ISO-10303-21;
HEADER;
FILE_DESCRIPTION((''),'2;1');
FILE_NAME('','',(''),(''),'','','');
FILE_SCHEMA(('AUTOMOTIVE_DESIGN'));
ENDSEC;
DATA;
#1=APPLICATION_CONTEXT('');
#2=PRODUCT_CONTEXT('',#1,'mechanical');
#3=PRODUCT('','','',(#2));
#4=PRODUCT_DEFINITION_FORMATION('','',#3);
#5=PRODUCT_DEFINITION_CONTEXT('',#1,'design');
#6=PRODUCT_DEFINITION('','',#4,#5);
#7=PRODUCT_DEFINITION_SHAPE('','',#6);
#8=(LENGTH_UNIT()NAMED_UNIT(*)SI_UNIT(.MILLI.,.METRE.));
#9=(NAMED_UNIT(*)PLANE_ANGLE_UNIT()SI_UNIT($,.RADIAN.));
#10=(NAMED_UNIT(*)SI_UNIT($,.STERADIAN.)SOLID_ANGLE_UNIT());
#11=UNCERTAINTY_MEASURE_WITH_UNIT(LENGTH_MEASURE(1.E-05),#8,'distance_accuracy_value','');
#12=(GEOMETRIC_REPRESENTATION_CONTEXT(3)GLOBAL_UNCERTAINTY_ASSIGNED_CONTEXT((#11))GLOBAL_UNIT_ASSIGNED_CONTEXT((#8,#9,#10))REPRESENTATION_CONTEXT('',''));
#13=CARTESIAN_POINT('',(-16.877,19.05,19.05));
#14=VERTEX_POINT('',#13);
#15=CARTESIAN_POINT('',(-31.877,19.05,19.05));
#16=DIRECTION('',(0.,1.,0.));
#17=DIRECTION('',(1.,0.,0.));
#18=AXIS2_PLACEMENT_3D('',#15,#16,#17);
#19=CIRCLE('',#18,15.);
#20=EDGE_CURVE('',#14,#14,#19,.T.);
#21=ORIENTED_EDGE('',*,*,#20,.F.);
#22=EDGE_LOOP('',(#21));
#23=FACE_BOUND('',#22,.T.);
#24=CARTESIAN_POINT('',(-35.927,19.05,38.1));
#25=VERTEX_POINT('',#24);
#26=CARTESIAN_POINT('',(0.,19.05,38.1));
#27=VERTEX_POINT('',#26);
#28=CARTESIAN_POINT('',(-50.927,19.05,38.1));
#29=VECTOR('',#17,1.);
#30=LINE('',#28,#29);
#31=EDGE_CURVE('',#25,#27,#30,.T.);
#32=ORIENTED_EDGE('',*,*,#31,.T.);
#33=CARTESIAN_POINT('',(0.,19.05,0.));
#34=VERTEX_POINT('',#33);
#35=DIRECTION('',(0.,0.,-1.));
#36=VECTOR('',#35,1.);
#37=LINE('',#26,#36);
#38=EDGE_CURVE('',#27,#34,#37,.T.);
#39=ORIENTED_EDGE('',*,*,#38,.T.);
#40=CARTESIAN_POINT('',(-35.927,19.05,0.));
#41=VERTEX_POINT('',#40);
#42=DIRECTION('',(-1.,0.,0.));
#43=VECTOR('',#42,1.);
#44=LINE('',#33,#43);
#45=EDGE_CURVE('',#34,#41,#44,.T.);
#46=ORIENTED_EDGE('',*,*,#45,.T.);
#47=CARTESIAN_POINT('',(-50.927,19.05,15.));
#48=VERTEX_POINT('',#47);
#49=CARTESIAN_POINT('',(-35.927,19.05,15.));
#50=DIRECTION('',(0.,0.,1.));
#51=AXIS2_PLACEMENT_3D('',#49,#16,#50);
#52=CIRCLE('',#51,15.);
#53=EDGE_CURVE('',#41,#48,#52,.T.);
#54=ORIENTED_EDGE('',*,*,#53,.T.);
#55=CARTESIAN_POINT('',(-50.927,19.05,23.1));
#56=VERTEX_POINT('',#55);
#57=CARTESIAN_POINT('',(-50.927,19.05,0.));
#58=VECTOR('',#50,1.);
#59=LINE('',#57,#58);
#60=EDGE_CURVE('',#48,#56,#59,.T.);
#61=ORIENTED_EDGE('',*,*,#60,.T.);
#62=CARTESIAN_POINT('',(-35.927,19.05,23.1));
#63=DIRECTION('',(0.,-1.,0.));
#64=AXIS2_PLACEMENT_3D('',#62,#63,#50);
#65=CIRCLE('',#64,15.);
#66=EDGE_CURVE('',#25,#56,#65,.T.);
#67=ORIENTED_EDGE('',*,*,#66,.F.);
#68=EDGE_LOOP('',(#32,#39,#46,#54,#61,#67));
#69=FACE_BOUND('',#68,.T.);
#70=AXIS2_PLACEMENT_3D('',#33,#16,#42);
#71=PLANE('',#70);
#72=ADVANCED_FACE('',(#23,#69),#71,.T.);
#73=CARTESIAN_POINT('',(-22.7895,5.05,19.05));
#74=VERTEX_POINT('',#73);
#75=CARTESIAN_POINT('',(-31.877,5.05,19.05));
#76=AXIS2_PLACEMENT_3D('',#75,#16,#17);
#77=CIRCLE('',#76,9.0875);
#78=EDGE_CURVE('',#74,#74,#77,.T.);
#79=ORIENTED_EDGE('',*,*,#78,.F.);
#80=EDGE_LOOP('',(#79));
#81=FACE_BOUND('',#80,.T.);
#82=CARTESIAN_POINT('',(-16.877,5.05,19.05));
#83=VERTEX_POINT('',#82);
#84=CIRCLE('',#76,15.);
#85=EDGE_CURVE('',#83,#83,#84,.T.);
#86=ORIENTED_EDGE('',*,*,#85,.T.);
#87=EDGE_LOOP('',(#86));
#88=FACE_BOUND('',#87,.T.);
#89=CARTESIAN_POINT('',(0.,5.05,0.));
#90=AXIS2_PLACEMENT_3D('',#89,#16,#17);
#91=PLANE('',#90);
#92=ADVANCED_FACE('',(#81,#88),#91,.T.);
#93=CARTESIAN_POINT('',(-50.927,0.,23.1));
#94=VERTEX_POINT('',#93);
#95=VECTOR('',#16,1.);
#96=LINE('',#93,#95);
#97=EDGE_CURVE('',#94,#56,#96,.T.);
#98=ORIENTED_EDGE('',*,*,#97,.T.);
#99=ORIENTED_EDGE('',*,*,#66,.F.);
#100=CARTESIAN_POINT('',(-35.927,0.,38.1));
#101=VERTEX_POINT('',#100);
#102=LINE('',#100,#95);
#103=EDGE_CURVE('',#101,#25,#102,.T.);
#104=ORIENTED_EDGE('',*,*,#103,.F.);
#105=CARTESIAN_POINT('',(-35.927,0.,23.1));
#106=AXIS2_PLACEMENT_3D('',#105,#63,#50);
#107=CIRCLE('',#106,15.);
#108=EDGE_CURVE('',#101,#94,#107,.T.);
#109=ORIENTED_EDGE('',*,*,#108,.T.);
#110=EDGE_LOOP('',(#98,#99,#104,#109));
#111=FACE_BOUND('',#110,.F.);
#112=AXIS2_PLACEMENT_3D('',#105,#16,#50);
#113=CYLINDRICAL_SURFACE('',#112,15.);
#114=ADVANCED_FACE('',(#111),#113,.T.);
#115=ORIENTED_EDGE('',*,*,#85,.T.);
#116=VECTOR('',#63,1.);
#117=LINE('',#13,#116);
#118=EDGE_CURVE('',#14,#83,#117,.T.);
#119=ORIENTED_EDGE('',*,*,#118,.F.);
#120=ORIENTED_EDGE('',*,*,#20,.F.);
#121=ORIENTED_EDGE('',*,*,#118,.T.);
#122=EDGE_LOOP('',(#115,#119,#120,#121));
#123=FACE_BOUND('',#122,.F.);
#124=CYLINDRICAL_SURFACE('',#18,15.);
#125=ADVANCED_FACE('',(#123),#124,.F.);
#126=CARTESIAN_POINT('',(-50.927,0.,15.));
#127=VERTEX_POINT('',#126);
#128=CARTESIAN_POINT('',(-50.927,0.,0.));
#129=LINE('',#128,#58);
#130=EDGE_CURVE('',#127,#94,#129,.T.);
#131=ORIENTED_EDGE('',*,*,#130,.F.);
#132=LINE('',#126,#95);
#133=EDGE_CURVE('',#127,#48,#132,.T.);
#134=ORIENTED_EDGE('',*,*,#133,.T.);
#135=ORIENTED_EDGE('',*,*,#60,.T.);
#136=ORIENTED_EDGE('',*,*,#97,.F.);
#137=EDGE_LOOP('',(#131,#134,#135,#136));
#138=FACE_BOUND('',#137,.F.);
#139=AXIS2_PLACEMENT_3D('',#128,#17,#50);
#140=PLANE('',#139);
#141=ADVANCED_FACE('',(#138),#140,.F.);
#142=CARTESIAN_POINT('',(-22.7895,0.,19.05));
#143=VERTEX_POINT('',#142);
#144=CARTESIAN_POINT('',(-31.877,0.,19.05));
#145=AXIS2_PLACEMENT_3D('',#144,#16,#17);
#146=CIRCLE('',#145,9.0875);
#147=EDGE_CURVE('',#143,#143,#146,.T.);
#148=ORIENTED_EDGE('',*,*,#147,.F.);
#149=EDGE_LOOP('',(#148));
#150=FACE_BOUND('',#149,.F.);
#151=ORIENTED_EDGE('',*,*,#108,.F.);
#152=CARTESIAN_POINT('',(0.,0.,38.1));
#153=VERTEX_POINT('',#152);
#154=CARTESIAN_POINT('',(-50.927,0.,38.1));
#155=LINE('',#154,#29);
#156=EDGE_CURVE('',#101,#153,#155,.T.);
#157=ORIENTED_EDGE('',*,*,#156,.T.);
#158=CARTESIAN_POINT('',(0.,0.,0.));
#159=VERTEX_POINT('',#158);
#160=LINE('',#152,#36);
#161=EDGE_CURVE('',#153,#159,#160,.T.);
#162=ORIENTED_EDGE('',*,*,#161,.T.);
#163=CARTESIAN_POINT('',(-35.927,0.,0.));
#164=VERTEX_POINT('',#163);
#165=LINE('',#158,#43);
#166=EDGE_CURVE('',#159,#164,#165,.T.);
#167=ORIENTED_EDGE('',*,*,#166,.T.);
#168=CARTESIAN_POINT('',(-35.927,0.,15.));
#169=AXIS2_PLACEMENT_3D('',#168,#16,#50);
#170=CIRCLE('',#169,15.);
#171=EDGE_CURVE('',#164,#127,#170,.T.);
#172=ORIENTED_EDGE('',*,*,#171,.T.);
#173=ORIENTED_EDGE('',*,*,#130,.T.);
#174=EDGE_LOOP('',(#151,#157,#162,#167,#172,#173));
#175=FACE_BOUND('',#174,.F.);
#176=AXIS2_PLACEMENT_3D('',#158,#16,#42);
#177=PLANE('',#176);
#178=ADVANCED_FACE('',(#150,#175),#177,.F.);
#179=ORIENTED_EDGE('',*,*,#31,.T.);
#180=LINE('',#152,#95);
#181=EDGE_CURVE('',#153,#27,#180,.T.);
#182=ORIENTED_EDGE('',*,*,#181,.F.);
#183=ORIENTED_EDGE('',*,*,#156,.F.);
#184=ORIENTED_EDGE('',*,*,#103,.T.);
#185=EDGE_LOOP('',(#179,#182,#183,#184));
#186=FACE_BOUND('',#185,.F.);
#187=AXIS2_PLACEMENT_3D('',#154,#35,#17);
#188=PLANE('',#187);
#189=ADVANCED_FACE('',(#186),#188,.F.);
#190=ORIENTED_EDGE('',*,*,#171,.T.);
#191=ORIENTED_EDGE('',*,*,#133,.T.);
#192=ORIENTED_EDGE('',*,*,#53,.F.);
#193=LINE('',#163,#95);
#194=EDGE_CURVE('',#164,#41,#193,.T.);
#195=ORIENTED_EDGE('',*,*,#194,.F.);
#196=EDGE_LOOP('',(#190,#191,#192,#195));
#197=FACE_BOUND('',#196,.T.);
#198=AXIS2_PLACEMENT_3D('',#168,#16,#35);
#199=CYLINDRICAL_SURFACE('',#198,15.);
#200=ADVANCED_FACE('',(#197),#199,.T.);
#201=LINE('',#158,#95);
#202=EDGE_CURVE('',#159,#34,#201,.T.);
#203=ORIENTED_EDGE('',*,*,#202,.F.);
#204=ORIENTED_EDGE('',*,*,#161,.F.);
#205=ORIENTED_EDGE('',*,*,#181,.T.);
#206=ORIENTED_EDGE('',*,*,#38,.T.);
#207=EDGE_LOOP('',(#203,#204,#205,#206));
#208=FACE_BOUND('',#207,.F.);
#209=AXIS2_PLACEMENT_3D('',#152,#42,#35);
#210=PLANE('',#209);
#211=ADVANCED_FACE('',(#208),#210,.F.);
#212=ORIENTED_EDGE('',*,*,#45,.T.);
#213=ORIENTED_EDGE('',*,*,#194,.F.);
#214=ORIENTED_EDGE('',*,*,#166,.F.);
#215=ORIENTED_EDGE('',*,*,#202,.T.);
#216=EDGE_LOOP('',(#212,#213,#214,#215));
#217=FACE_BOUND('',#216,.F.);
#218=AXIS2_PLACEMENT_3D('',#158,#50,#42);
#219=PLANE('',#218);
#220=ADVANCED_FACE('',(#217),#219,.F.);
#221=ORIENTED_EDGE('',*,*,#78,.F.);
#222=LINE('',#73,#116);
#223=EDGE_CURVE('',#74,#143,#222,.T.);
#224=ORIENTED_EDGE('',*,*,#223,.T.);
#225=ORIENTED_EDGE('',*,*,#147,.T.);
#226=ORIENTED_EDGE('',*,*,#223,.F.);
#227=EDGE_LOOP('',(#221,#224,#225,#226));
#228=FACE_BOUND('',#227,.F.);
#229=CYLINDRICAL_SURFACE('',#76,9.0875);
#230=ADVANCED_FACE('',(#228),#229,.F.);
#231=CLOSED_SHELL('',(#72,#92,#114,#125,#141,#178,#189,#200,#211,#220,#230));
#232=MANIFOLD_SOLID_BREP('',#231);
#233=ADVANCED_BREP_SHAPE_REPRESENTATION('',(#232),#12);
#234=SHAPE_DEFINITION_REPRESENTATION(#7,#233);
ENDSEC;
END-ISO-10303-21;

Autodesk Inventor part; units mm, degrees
ref_plane "YZ Plane" through (0, 0, 0) normal (1, 0, 0) x (0, 1, 0)
ref_plane "XZ Plane" through (0, 0, 0) normal (0, 1, 0) x (-1, 0, 0)
ref_plane "XY Plane" through (0, 0, 0) normal (0, 0, 1) x (1, 0, 0)
sketch "Sketch1" plane through (0, 0, 0) normal (0, 1, 0) x (-1, 0, 0)
  line L0 (0, 0) -> (50.927, 0)
  line L1 (50.927, 0) -> (50.927, 38.1)
  line L2 (50.927, 38.1) -> (0, 38.1)
  line L3 (0, 38.1) -> (0, 0)
  dimension "d0" = 50.927
  dimension "d1" = 38.1
extrude "Extrusion1" add sketch "Sketch1" along normal blind 19.05
sketch "Sketch2" plane through (0, 19.05, 0) normal (0, 1, 0) x (1, 0, 0)
  circle A0 centre (-31.877, -19.05) radius 15
  line L0 (-50.927, -38.1) -> (0, -38.1) projected
  point P0 (-50.927, 0)
  dimension "d4" = 30
  dimension "d5" = 19.05
  dimension "d6" = 19.05
  dimension "d15" = 19.05
extrude "Extrusion2" cut sketch "Sketch2" against normal blind 14
sketch "Sketch3" plane through (-31.877, 5.05, 19.05) normal (0, 1, 0) x (1, 0, 0)
  circle A0 centre (0, 0) radius 15 projected
  circle A1 centre (0, 0) radius 3.175
  circle A2 centre (0, 0) radius 9.0875
  point P0 (31.877, 19.05)
  dimension "d9" = 6.35
  dimension "d12" = 5.9125
  dimension "d13" = 5.9125
extrude "Extrusion3" cut sketch "Sketch3" against normal through all contours A1 | A2
fillet "Fillet1" radius 15 2 edges at (-50.927, 9.525, 0) (-50.927, 9.525, 38.1)
equation "\"d5\" = d15"
equation "\"d6\" = d15"
equation "\"d12\" = d13"
properties part number "acmeBearingBlock"
